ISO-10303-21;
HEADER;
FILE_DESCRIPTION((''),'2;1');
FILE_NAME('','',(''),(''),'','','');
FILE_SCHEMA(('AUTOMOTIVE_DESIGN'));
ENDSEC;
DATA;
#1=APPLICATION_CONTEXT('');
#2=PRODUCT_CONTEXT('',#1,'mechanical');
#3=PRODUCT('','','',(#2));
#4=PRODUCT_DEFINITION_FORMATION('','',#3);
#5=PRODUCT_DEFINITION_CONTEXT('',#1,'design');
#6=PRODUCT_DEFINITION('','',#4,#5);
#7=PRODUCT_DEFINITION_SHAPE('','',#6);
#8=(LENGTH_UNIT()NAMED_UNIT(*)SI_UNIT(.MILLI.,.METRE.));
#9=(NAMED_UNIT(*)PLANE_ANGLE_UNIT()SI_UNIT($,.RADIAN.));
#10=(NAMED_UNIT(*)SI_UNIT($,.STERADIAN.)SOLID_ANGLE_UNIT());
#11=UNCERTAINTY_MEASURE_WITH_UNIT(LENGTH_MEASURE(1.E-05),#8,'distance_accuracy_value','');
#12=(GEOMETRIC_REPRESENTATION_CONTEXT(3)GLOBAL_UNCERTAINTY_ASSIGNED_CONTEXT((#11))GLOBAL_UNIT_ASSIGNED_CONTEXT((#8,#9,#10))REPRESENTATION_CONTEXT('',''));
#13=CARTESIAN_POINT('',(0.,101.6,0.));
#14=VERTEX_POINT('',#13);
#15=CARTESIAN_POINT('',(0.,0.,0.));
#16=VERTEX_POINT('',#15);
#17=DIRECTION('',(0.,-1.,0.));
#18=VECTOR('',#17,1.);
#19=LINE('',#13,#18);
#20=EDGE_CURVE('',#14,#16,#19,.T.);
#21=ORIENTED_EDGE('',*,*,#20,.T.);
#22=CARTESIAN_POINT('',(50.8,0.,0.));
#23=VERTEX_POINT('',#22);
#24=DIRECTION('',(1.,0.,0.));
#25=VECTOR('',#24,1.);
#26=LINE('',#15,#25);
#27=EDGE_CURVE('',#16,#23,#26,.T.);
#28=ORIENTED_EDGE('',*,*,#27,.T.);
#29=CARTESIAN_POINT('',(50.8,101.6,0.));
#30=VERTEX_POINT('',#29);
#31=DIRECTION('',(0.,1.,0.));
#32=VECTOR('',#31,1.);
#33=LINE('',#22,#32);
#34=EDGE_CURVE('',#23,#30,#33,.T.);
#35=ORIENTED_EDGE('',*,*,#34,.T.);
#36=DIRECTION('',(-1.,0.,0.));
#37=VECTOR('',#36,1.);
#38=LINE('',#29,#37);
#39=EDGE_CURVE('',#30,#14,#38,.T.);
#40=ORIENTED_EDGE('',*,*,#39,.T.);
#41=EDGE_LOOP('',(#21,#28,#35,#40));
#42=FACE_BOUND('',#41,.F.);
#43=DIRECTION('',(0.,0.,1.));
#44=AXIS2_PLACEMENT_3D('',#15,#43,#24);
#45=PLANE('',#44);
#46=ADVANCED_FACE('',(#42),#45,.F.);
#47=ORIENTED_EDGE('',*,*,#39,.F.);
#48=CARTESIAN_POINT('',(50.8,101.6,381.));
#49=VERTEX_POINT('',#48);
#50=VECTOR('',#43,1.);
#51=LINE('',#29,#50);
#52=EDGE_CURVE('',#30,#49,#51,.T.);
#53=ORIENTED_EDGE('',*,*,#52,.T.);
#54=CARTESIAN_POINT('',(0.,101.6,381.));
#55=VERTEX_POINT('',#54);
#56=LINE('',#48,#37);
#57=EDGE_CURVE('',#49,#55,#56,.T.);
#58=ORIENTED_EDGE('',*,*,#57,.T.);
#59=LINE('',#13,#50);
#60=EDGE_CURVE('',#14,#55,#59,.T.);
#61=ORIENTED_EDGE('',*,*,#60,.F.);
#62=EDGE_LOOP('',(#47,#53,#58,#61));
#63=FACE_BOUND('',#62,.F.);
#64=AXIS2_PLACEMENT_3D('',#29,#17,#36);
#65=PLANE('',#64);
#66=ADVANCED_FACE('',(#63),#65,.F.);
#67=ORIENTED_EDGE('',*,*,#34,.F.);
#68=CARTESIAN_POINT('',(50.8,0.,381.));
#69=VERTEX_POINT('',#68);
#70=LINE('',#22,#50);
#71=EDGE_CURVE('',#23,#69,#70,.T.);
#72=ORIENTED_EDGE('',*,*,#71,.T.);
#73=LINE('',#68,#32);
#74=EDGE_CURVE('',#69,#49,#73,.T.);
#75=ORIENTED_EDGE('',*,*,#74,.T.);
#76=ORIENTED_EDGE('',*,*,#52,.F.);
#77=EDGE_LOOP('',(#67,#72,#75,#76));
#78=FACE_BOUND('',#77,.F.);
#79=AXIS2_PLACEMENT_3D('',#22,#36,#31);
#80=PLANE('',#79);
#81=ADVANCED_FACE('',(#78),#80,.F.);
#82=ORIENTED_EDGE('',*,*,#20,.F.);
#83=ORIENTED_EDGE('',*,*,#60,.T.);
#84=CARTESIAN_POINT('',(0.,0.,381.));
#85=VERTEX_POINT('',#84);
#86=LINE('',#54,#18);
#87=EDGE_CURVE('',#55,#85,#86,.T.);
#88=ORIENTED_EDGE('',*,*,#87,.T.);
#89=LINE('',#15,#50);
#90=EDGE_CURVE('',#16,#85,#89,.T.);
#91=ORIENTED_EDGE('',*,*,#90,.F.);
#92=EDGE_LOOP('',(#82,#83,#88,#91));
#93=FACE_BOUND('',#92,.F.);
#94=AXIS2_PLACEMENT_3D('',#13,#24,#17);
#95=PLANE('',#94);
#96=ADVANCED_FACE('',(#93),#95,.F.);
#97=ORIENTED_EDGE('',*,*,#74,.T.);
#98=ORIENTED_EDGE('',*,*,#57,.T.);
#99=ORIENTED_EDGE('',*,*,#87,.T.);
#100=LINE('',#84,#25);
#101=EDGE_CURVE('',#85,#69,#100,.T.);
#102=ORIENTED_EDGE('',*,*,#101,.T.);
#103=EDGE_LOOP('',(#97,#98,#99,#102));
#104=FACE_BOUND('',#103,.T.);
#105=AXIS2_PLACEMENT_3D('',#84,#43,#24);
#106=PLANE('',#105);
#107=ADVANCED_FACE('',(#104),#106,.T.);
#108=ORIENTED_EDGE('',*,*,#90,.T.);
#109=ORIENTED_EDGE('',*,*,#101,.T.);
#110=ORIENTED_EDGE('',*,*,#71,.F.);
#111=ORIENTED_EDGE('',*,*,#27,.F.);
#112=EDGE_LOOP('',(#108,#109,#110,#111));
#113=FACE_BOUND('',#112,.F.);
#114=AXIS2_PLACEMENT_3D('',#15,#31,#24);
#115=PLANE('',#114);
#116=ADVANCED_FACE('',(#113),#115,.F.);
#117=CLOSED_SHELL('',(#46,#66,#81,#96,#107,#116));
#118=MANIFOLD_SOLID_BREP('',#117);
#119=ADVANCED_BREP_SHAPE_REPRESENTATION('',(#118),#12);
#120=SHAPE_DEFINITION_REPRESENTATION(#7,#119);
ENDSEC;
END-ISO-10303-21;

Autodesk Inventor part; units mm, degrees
ref_plane "YZ Plane" through (0, 0, 0) normal (1, 0, 0) x (0, 1, 0)
ref_plane "XZ Plane" through (0, 0, 0) normal (0, 1, 0) x (-1, 0, 0)
ref_plane "XY Plane" through (0, 0, 0) normal (0, 0, 1) x (1, 0, 0)
sketch "Sketch1" plane through (0, 0, 0) normal (0, 0, 1) x (1, 0, 0)
  line L0 (0, 0) -> (50.8, 0)
  line L1 (50.8, 0) -> (50.8, 101.6)
  line L2 (50.8, 101.6) -> (0, 101.6)
  line L3 (0, 101.6) -> (0, 0)
  dimension "d0" = 50.8
  dimension "d1" = 101.6
extrude "Extrusion1" add sketch "Sketch1" along normal blind 381
